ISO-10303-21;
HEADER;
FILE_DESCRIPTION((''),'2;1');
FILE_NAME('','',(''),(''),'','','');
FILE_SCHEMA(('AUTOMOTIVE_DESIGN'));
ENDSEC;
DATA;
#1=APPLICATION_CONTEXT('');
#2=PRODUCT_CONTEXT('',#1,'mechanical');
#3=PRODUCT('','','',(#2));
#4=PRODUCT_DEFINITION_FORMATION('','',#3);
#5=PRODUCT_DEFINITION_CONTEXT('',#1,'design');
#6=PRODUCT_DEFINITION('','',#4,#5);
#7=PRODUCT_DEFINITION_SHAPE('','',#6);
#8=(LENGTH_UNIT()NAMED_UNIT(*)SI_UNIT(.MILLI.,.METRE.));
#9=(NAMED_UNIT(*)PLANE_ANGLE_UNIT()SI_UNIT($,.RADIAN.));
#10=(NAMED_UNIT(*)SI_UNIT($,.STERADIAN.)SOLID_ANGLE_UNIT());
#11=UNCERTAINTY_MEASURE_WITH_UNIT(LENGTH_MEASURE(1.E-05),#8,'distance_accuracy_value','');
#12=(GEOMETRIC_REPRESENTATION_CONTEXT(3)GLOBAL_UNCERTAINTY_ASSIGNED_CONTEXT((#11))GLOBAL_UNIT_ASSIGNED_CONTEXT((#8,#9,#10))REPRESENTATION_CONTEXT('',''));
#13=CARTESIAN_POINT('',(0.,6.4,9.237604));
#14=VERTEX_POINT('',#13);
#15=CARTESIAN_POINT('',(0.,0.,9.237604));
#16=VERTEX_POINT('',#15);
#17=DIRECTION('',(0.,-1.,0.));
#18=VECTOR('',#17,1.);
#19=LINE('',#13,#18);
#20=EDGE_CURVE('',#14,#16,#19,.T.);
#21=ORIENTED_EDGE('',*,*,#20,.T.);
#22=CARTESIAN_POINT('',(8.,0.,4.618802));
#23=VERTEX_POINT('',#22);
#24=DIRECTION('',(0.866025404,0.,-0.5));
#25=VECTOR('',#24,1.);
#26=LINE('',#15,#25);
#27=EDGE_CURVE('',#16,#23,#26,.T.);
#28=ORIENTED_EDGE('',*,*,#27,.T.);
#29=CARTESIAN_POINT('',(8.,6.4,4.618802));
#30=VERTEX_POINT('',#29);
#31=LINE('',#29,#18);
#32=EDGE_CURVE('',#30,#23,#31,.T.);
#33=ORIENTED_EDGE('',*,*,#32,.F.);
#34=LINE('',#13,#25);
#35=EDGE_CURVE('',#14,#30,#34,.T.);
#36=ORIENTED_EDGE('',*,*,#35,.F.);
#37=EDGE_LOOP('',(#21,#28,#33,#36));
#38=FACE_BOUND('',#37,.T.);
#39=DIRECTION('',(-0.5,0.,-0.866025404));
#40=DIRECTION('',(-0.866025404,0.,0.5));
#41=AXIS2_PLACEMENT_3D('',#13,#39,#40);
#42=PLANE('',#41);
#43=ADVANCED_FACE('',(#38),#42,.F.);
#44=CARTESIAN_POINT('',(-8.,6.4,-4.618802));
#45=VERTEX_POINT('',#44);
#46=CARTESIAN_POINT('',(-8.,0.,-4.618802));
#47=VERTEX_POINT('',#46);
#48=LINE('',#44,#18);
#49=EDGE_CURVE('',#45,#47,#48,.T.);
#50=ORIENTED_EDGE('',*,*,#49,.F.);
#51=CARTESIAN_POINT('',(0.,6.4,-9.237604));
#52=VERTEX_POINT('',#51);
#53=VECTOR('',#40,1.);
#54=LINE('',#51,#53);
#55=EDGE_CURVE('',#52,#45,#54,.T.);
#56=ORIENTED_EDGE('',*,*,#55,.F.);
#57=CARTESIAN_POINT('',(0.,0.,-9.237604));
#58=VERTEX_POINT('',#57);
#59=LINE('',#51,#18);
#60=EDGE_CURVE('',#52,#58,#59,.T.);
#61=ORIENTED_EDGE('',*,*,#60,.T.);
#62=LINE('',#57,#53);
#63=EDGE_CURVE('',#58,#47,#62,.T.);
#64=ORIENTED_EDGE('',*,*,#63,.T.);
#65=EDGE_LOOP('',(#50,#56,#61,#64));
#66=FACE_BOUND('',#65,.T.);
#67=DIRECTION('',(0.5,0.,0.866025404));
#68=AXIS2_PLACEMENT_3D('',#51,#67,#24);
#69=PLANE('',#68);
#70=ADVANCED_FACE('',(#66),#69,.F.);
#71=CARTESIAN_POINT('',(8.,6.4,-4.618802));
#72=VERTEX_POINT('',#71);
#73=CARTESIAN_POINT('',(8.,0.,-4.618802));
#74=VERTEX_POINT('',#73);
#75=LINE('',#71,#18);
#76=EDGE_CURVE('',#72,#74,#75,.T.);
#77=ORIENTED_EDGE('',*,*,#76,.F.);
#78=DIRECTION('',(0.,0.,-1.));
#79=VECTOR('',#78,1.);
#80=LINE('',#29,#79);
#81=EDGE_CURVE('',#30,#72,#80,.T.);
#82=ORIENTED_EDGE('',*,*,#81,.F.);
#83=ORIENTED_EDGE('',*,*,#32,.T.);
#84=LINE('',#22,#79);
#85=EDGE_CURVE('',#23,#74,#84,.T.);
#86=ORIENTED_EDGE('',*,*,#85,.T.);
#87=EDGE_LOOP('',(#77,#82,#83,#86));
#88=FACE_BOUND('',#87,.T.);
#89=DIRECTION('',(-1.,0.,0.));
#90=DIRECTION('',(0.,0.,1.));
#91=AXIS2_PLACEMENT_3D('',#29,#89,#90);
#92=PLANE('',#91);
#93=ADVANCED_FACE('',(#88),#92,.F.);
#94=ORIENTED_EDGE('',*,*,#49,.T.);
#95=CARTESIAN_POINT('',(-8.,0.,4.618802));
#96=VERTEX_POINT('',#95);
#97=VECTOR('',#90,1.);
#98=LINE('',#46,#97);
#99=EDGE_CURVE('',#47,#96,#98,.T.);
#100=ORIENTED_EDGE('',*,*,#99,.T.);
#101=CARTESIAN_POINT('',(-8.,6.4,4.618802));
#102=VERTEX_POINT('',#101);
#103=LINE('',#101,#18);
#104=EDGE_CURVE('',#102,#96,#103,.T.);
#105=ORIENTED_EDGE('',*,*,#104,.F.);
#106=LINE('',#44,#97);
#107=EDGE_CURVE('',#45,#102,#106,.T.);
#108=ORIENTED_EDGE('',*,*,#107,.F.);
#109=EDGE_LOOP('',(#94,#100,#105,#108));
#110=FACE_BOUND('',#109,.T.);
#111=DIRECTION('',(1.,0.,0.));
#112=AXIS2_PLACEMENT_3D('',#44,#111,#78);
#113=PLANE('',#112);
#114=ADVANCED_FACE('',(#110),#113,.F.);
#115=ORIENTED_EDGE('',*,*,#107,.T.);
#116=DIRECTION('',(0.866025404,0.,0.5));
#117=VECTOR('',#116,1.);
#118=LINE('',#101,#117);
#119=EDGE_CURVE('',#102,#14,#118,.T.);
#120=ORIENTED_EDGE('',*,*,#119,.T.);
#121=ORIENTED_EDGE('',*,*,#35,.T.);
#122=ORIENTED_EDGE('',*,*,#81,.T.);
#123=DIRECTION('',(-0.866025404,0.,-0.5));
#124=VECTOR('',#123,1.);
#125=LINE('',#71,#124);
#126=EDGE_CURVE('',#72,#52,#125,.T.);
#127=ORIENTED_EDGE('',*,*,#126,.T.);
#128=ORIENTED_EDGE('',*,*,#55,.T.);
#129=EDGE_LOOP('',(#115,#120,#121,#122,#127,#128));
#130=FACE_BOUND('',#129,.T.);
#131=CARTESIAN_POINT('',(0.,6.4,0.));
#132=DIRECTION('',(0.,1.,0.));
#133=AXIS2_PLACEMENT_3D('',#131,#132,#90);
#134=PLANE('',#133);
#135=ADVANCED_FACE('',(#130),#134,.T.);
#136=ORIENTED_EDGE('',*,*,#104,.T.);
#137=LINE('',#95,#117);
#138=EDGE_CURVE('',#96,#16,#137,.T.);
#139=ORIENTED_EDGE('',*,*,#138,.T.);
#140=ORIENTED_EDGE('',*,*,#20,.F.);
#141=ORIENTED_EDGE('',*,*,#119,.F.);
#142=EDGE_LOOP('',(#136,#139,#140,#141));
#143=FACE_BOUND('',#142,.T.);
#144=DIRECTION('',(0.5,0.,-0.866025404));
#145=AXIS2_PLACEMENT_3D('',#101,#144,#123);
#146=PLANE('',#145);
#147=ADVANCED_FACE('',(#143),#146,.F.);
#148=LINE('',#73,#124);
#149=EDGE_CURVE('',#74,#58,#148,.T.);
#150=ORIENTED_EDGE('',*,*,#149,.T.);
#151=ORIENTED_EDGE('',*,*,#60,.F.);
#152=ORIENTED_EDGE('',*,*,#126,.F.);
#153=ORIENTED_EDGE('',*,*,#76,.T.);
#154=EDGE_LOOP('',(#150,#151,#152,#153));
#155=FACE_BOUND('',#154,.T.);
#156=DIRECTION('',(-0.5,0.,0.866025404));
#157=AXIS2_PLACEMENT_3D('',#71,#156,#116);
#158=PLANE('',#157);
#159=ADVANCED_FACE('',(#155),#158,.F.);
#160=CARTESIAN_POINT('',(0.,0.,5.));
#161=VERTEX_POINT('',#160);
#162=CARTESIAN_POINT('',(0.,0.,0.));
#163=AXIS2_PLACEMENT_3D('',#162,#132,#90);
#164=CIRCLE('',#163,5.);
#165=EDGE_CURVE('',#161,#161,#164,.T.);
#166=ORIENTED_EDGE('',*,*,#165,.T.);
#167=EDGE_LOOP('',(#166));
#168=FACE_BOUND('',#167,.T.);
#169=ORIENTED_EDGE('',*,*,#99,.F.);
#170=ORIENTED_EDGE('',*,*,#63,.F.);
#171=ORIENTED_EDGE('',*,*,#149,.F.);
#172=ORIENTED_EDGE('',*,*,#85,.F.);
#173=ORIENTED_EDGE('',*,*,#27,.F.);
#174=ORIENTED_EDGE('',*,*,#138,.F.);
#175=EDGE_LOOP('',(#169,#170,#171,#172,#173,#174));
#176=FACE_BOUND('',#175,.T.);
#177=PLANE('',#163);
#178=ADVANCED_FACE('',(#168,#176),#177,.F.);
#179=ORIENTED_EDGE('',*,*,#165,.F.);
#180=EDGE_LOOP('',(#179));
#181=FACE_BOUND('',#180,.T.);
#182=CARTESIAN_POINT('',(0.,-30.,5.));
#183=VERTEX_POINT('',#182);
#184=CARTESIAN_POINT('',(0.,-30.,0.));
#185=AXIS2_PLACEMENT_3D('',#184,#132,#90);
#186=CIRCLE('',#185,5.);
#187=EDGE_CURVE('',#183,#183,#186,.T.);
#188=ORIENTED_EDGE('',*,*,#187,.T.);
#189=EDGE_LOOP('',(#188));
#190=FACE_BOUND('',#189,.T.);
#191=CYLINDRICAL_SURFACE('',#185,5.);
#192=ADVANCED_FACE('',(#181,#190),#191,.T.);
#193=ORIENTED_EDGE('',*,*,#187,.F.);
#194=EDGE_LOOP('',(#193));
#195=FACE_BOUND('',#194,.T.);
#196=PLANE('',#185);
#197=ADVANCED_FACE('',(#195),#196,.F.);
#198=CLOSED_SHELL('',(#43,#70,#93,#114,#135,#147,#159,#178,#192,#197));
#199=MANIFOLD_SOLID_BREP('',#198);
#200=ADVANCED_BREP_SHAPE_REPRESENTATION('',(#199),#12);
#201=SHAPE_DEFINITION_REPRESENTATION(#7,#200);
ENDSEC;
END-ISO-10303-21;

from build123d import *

# Parameters (mm, degrees)
BOSS_EXTRUDE1_DEPTH = 6.4
SKETCH2_R           = 5
BOSS_EXTRUDE2_DEPTH = 30


with BuildPart() as part:
    # Sketch1 → Boss-Extrude1 (new body)
    with BuildSketch(Plane(origin=(0, 0, 0), x_dir=(1, 0, 0), z_dir=(0, 1, 0))):
        Polygon((0, 9.237604307), (-8, 4.618802154), (-8, -4.618802154), (0, -9.237604307), (8, -4.618802154), (8, 4.618802154), align=None)
    extrude(amount=BOSS_EXTRUDE1_DEPTH)

    # Sketch2 → Boss-Extrude2 (add)
    with BuildSketch(Plane(origin=(0, 0, 0), x_dir=(1, 0, 0), z_dir=(0, 1, 0))):
        with Locations(Location((0, 0, 0), (0, 0, 270))):
            Circle(SKETCH2_R)
    extrude(amount=-BOSS_EXTRUDE2_DEPTH)


solid = part.part
